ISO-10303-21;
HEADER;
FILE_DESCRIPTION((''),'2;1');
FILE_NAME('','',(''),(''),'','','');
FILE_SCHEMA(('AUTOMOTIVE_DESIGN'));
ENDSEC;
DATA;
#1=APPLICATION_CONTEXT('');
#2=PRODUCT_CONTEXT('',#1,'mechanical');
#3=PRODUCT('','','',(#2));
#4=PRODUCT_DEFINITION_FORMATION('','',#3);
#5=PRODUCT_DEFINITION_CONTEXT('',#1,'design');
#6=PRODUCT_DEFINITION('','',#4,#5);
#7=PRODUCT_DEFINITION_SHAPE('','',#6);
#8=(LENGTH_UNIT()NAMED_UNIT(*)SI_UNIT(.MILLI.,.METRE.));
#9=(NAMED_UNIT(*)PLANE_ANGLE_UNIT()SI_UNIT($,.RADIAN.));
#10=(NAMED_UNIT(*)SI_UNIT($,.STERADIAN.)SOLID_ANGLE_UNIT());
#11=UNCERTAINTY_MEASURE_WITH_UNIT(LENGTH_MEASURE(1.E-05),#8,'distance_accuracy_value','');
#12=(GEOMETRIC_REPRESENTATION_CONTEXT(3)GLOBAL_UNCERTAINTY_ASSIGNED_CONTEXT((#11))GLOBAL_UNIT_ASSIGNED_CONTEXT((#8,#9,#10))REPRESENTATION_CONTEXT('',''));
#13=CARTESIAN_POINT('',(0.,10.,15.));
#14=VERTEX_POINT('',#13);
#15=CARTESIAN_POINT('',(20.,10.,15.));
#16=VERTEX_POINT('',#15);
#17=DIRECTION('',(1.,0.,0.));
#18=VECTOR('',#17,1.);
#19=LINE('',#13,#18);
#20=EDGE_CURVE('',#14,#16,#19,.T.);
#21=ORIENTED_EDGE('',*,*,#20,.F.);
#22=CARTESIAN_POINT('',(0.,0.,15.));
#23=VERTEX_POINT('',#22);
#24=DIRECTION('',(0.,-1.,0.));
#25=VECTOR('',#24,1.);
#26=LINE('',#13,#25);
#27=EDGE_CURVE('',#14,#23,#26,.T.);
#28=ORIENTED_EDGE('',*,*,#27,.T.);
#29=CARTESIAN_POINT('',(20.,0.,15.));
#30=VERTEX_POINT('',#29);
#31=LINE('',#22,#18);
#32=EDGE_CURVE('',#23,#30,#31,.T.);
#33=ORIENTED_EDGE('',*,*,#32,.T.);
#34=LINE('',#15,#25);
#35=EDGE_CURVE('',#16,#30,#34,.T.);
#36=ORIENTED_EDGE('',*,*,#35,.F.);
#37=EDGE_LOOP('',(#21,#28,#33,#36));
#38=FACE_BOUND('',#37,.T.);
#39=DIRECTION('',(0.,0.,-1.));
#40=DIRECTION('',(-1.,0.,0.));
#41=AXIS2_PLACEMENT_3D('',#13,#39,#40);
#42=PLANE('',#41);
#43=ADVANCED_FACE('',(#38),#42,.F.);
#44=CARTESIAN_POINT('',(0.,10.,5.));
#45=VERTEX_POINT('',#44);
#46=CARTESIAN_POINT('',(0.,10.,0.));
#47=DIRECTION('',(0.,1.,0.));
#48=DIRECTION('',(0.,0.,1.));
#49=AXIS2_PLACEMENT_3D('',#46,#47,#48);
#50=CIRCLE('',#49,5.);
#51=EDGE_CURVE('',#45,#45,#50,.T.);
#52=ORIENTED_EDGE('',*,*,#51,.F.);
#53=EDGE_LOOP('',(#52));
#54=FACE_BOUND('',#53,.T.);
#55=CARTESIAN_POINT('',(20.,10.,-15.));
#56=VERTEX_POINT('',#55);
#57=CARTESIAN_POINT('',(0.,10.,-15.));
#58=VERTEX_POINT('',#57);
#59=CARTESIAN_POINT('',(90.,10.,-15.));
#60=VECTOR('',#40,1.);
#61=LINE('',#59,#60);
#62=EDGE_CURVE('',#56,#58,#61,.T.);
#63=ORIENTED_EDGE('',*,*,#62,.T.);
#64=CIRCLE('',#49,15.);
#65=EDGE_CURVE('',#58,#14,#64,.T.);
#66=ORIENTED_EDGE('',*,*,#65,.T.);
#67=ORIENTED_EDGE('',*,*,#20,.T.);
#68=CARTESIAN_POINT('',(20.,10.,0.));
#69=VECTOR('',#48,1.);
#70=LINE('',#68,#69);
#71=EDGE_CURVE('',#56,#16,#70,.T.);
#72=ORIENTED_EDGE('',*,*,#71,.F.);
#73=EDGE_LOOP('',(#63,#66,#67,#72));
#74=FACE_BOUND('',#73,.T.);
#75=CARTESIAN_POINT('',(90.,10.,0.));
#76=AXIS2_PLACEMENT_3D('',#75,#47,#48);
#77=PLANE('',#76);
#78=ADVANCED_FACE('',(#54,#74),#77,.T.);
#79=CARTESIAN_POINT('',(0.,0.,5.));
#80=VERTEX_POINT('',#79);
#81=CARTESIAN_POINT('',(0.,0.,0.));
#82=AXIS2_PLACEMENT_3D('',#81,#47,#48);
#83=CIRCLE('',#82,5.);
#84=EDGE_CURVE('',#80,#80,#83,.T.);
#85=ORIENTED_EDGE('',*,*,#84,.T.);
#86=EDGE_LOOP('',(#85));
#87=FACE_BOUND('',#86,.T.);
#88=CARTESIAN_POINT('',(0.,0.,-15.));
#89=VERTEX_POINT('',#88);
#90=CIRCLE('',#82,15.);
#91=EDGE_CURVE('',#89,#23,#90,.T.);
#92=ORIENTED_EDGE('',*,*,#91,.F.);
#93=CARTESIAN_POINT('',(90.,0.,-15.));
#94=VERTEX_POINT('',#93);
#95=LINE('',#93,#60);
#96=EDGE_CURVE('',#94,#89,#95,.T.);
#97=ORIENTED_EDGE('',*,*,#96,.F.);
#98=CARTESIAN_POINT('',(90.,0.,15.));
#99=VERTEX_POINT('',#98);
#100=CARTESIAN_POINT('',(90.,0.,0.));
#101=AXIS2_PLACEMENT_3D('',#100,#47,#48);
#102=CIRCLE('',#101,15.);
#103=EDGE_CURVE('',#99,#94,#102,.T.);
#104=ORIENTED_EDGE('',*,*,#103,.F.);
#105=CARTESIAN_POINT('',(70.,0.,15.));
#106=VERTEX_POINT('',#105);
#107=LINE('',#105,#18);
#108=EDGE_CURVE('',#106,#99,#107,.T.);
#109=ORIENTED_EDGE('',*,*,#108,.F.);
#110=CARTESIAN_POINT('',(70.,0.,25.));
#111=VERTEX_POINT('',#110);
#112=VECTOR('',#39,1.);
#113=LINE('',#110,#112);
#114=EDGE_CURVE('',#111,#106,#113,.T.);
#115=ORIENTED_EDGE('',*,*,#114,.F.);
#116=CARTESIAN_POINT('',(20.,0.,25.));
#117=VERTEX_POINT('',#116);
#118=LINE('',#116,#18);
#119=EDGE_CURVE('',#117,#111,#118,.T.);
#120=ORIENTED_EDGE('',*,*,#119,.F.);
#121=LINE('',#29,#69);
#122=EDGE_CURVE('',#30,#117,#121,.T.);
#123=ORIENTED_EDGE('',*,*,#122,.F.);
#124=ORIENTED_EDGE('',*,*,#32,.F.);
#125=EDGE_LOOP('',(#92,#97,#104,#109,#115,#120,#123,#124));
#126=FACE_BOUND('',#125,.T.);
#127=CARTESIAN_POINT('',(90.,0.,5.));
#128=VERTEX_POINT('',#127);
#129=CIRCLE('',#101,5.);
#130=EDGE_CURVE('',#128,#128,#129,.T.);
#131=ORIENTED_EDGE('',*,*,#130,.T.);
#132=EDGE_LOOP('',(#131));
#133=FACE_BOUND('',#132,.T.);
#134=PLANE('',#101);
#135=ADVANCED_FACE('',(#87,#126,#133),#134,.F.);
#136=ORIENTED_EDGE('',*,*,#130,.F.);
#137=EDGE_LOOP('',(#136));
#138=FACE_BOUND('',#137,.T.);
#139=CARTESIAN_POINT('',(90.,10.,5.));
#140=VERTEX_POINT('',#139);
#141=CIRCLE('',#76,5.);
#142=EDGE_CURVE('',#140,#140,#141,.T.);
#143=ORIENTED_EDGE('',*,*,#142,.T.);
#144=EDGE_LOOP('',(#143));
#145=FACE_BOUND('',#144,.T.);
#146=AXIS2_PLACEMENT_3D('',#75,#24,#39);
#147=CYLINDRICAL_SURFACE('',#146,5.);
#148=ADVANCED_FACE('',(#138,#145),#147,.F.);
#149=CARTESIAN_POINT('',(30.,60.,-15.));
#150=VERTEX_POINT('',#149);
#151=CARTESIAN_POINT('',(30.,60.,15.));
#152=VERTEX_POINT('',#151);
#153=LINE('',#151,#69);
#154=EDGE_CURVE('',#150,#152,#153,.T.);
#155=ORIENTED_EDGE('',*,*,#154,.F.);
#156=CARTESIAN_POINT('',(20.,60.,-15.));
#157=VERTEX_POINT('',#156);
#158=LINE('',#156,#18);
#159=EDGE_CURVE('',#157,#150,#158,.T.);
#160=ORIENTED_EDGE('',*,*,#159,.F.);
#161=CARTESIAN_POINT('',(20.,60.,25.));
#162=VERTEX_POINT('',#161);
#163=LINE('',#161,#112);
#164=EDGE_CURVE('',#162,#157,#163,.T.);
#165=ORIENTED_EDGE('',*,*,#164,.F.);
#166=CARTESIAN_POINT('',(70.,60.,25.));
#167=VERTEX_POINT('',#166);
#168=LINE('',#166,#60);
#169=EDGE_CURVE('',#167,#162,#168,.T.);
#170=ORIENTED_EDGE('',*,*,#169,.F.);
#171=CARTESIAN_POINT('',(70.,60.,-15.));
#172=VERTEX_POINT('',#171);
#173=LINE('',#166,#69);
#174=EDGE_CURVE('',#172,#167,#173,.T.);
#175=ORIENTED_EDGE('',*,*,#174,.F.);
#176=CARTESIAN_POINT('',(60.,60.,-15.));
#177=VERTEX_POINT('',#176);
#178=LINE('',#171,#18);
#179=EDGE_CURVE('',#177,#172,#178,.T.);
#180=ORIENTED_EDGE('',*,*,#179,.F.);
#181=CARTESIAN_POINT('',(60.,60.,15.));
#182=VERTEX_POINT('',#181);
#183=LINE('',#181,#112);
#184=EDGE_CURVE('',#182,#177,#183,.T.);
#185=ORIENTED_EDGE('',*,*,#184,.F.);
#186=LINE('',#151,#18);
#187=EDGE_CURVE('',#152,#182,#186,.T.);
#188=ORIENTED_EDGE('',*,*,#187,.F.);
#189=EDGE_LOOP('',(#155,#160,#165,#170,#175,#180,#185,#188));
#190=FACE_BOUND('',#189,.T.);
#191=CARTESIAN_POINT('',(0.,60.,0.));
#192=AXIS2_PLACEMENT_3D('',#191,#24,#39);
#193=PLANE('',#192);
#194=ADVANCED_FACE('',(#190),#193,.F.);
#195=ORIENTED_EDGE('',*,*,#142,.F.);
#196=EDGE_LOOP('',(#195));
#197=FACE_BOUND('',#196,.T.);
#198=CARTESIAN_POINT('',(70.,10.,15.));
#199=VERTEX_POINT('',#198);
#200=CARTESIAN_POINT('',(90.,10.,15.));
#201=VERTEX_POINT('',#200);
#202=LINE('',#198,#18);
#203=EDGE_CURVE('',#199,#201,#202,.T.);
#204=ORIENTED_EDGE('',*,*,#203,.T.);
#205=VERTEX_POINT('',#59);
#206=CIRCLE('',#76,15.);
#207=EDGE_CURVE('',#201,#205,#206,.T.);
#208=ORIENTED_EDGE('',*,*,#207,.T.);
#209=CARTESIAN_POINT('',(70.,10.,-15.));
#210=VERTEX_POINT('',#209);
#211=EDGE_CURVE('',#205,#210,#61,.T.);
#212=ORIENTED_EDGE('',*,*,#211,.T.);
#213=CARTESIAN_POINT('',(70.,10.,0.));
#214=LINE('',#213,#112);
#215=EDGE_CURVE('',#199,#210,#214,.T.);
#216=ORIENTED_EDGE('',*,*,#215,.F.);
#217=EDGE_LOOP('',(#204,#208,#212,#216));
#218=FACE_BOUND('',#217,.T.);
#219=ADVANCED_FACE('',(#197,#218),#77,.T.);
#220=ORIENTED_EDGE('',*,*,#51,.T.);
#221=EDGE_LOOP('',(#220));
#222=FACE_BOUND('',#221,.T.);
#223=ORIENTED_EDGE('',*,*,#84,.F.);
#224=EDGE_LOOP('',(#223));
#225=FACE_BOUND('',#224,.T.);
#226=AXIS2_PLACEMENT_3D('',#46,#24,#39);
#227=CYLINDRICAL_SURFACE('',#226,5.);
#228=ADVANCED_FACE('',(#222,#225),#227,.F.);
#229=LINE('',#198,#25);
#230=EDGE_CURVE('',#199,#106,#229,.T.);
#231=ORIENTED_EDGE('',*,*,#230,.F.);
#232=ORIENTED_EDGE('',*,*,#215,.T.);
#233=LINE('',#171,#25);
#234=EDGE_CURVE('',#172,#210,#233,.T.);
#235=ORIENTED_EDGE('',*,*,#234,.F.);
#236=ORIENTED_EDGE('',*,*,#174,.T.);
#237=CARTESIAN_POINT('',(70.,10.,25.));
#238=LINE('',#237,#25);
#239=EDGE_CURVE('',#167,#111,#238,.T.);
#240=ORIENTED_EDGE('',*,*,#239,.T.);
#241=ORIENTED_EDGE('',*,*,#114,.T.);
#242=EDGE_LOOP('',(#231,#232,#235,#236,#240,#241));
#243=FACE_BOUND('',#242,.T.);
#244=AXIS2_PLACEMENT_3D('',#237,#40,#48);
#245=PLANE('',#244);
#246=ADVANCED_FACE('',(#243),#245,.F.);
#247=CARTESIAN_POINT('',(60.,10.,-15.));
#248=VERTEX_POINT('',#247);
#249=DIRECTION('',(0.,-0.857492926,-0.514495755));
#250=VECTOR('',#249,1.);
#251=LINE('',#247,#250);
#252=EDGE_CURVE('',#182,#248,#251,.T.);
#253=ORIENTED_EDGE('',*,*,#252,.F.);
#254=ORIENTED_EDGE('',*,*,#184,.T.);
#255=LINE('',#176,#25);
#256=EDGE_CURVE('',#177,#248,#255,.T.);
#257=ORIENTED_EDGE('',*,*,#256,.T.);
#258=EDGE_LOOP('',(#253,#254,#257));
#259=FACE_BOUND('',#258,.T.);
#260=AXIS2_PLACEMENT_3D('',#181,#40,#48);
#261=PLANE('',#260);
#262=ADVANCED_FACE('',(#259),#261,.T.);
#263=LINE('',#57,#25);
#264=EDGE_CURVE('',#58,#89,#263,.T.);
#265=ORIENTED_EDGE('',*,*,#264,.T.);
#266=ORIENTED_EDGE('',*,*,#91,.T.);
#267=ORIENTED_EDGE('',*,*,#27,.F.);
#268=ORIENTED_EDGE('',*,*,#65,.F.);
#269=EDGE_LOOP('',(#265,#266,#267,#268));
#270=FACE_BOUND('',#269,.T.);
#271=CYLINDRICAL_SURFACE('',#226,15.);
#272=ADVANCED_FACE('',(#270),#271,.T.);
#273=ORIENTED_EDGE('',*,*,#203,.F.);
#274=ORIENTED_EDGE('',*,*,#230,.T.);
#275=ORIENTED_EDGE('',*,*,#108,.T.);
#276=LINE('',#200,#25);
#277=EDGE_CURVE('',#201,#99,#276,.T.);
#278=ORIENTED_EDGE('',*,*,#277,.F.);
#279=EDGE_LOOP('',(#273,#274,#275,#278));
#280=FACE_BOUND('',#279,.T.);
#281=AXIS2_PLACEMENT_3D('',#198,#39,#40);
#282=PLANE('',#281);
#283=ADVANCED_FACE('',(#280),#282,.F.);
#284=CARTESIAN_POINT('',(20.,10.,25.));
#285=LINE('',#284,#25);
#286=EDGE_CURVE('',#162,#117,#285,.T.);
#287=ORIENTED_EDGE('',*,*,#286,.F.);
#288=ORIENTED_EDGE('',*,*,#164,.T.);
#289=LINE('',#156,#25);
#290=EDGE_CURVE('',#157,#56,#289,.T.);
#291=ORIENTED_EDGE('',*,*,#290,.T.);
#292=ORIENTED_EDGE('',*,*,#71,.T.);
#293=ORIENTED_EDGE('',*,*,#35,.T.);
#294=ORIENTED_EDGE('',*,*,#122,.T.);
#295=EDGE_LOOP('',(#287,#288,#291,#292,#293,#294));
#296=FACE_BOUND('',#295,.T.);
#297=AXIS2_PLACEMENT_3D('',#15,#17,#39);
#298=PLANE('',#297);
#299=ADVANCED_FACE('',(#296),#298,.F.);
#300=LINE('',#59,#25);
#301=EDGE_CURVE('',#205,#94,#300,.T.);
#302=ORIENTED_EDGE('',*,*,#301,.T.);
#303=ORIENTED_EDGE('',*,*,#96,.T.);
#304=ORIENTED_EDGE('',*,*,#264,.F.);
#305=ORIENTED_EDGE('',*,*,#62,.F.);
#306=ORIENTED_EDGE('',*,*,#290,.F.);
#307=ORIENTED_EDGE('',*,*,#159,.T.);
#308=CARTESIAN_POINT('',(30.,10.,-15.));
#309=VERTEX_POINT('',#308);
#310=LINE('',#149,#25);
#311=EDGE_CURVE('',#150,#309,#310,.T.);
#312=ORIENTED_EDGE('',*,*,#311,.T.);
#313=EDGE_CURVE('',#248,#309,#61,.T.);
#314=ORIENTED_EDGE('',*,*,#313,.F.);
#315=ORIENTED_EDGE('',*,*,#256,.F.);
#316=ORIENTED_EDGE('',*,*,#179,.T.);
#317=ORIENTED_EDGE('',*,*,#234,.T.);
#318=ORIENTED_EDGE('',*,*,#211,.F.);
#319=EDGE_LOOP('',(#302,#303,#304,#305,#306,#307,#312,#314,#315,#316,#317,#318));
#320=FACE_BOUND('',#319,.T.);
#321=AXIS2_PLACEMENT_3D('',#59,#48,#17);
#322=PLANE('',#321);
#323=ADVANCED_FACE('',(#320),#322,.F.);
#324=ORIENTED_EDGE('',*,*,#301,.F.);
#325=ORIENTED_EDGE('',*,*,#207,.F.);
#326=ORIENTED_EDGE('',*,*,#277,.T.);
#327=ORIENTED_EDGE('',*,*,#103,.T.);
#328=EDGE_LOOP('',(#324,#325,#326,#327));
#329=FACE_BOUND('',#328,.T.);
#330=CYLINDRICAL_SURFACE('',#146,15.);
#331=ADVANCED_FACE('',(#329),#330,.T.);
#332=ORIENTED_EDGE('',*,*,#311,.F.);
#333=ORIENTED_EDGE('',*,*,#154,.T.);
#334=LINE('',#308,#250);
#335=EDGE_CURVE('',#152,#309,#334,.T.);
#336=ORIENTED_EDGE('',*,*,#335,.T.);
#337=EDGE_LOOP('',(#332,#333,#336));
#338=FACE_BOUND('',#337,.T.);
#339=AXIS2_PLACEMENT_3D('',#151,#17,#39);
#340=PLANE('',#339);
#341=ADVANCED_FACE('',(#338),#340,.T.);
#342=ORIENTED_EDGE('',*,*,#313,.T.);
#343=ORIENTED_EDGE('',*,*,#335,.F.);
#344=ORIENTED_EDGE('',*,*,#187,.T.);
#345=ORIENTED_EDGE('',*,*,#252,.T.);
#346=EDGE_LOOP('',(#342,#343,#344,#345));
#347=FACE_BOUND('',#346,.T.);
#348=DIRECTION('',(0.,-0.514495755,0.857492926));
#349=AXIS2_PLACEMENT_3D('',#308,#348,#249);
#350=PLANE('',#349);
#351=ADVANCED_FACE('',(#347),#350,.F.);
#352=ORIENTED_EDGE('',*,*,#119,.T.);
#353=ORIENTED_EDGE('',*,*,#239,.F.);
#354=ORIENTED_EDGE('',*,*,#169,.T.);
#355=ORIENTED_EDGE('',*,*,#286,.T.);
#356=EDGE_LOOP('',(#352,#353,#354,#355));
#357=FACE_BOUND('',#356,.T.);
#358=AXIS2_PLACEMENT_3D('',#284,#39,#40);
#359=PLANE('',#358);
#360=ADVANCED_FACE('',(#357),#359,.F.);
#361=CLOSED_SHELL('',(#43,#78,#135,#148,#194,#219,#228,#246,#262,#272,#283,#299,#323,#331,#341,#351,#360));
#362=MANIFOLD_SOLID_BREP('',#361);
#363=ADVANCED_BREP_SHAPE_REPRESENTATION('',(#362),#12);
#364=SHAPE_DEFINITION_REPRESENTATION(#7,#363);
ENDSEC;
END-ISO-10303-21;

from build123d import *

# Parameters (mm, degrees)
SKETCH1_R           = 5
BOSS_EXTRUDE4_DEPTH = 10
BOSS_EXTRUDE6_DEPTH = 60
BOSS_EXTRUDE7_DEPTH = 30


with BuildPart() as part:
    # Sketch1 → Boss-Extrude4 (new body)
    with BuildSketch(Plane(origin=(0, 0, 0), x_dir=(1, 0, 0), z_dir=(0, 1, 0))):
        with BuildLine():
            Line((0, -15), (20, -15))
            Line((20, -15), (20, -25))
            Line((20, -25), (70, -25))
            Line((70, -25), (70, -15))
            Line((70, -15), (90, -15))
            ThreePointArc((90, -15), (105, 0), (90, 15))
            Line((90, 15), (0, 15))
            ThreePointArc((0, 15), (-15, 0), (0, -15))
        make_face()
        with Locations(Location((0, 0, 0), (0, 0, 270))):
            Circle(SKETCH1_R, mode=Mode.SUBTRACT)
        with Locations(Location((90, 0, 0), (0, 0, 270))):
            Circle(SKETCH1_R, mode=Mode.SUBTRACT)
    extrude(amount=BOSS_EXTRUDE4_DEPTH)

    # Sketch4 → Boss-Extrude6 (add)
    with BuildSketch(Plane.XZ):
        Polygon((20, -15), (30, -15), (30, 15), (60, 15), (60, -15), (70, -15), (70, 25), (20, 25), align=None)
    extrude(amount=-BOSS_EXTRUDE6_DEPTH)

    # Sketch5 → Boss-Extrude7 (add)
    with BuildSketch(Plane.ZY.offset(-60)):
        Polygon((-15, 10), (15, 60), (15, 10), align=None)
    extrude(amount=BOSS_EXTRUDE7_DEPTH)


solid = part.part
